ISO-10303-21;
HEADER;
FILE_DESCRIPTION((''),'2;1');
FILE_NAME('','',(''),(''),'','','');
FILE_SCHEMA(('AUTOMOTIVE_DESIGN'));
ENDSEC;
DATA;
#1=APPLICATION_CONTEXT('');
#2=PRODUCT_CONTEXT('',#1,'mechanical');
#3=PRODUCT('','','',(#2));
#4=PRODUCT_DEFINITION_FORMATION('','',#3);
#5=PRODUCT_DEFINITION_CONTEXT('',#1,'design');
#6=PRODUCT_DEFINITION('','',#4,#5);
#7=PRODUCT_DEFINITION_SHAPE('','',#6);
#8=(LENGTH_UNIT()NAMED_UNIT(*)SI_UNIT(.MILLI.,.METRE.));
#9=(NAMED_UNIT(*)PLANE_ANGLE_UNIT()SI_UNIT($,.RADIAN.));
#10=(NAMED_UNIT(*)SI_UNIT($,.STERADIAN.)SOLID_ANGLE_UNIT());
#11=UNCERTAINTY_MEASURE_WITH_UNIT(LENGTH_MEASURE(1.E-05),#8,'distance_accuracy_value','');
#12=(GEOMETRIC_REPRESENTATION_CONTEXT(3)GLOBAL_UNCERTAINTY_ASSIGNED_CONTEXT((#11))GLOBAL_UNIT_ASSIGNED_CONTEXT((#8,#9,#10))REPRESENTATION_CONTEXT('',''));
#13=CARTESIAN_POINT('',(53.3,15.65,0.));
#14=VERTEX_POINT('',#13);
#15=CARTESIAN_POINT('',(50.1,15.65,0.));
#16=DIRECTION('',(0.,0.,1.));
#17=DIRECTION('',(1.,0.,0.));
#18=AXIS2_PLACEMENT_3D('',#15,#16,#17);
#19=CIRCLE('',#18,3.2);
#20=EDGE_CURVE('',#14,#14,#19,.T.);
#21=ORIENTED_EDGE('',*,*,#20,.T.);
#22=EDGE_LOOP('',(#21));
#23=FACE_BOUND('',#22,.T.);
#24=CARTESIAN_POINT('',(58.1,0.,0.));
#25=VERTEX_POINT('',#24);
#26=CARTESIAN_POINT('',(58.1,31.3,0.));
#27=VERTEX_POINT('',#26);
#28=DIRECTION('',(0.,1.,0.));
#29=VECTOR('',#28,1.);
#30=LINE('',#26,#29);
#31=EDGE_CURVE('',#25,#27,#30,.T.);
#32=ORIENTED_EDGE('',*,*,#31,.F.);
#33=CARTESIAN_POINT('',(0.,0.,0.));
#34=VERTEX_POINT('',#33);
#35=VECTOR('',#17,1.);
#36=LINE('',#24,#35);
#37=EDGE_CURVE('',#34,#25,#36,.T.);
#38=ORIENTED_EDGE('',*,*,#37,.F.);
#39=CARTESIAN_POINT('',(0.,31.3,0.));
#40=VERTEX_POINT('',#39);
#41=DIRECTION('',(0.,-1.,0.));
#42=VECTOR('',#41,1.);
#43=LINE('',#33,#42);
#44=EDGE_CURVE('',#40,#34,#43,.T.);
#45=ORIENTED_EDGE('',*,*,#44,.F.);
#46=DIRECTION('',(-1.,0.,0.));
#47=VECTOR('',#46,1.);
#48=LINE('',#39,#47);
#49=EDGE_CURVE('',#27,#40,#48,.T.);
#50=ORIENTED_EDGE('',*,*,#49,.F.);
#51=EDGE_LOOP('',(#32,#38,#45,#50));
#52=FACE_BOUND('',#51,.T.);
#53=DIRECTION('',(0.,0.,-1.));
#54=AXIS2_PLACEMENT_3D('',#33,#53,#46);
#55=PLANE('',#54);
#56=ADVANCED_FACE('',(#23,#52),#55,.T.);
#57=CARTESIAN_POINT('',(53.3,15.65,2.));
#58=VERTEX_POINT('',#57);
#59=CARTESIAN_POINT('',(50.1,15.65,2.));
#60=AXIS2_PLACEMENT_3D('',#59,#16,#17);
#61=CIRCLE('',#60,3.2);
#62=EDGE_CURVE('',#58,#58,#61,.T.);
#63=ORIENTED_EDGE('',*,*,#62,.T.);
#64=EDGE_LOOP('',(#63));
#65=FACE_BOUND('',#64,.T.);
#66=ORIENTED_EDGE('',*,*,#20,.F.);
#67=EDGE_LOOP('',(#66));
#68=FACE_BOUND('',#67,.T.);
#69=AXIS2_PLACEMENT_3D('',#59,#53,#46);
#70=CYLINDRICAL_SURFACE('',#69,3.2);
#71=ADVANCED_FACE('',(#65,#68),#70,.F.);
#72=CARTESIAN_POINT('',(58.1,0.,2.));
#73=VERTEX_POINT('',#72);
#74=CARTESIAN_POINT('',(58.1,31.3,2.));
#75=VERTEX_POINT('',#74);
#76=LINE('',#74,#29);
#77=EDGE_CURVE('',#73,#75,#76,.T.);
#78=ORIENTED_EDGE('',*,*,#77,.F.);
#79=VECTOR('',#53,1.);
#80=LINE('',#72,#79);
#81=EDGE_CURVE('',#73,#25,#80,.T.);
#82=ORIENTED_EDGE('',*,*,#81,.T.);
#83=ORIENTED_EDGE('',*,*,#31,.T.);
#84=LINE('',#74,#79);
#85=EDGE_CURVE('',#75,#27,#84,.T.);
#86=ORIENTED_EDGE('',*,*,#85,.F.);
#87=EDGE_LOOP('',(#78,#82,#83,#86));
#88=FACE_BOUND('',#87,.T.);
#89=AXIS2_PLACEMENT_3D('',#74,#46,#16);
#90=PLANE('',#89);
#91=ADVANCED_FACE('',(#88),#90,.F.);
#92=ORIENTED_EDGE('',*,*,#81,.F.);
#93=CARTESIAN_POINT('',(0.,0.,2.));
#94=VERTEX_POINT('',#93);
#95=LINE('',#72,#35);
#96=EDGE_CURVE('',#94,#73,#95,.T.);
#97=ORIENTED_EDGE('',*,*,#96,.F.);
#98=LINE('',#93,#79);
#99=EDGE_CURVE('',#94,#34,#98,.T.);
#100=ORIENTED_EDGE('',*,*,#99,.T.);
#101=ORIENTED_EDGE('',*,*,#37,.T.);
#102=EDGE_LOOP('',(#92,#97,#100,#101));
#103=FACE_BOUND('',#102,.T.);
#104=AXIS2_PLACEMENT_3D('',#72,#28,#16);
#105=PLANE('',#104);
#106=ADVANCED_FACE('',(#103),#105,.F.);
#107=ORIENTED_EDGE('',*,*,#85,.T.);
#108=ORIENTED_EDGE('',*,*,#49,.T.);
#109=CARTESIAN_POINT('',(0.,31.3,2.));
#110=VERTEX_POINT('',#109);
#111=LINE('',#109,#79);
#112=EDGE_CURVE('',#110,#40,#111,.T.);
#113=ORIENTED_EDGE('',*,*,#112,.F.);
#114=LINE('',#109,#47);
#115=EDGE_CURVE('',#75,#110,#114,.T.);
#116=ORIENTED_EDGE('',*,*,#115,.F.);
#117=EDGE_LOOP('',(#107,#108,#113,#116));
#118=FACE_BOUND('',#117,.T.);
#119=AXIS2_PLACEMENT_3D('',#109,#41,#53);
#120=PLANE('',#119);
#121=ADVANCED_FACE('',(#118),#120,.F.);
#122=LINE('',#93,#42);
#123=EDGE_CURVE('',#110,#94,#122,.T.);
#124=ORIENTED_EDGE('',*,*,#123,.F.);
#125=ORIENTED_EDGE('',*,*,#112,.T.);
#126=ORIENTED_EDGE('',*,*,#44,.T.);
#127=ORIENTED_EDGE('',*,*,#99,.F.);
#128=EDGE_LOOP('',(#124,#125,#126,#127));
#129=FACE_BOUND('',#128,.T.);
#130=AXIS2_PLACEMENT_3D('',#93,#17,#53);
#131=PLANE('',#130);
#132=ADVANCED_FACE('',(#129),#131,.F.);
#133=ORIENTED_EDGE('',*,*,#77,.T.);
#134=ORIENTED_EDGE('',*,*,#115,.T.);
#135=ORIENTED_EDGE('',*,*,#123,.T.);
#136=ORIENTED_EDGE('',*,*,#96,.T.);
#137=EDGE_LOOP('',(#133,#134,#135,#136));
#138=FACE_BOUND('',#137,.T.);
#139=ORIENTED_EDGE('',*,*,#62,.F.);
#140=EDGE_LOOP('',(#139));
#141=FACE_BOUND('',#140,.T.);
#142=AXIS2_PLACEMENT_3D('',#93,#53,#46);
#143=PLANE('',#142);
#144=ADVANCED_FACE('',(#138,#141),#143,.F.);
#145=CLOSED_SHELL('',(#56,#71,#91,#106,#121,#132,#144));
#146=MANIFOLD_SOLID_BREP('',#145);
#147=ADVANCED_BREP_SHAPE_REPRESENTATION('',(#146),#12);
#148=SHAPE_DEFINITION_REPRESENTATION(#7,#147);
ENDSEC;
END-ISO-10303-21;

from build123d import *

# Parameters (mm, degrees)
IZIM1_W                     = 58.1
IZIM1_H                     = 31.3
Y_KSEKLIK_EKSTR_ZYON1_DEPTH = 2
IZIM2_R                     = 3.2
KES_EKSTR_ZYON1_DEPTH       = 2


with BuildPart() as part:
    # Çizim1 → Yükseklik-Ekstrüzyon1 (new body)
    with BuildSketch(Plane.XY):
        with Locations((29.05, 15.65)):
            Rectangle(IZIM1_W, IZIM1_H)
    extrude(amount=Y_KSEKLIK_EKSTR_ZYON1_DEPTH)

    # Çizim2 → Kes-Ekstrüzyon1 (cut)
    with BuildSketch(Plane.XY):
        with Locations((50.1, 15.65)):
            Circle(IZIM2_R)
    extrude(amount=KES_EKSTR_ZYON1_DEPTH, mode=Mode.SUBTRACT)


solid = part.part
